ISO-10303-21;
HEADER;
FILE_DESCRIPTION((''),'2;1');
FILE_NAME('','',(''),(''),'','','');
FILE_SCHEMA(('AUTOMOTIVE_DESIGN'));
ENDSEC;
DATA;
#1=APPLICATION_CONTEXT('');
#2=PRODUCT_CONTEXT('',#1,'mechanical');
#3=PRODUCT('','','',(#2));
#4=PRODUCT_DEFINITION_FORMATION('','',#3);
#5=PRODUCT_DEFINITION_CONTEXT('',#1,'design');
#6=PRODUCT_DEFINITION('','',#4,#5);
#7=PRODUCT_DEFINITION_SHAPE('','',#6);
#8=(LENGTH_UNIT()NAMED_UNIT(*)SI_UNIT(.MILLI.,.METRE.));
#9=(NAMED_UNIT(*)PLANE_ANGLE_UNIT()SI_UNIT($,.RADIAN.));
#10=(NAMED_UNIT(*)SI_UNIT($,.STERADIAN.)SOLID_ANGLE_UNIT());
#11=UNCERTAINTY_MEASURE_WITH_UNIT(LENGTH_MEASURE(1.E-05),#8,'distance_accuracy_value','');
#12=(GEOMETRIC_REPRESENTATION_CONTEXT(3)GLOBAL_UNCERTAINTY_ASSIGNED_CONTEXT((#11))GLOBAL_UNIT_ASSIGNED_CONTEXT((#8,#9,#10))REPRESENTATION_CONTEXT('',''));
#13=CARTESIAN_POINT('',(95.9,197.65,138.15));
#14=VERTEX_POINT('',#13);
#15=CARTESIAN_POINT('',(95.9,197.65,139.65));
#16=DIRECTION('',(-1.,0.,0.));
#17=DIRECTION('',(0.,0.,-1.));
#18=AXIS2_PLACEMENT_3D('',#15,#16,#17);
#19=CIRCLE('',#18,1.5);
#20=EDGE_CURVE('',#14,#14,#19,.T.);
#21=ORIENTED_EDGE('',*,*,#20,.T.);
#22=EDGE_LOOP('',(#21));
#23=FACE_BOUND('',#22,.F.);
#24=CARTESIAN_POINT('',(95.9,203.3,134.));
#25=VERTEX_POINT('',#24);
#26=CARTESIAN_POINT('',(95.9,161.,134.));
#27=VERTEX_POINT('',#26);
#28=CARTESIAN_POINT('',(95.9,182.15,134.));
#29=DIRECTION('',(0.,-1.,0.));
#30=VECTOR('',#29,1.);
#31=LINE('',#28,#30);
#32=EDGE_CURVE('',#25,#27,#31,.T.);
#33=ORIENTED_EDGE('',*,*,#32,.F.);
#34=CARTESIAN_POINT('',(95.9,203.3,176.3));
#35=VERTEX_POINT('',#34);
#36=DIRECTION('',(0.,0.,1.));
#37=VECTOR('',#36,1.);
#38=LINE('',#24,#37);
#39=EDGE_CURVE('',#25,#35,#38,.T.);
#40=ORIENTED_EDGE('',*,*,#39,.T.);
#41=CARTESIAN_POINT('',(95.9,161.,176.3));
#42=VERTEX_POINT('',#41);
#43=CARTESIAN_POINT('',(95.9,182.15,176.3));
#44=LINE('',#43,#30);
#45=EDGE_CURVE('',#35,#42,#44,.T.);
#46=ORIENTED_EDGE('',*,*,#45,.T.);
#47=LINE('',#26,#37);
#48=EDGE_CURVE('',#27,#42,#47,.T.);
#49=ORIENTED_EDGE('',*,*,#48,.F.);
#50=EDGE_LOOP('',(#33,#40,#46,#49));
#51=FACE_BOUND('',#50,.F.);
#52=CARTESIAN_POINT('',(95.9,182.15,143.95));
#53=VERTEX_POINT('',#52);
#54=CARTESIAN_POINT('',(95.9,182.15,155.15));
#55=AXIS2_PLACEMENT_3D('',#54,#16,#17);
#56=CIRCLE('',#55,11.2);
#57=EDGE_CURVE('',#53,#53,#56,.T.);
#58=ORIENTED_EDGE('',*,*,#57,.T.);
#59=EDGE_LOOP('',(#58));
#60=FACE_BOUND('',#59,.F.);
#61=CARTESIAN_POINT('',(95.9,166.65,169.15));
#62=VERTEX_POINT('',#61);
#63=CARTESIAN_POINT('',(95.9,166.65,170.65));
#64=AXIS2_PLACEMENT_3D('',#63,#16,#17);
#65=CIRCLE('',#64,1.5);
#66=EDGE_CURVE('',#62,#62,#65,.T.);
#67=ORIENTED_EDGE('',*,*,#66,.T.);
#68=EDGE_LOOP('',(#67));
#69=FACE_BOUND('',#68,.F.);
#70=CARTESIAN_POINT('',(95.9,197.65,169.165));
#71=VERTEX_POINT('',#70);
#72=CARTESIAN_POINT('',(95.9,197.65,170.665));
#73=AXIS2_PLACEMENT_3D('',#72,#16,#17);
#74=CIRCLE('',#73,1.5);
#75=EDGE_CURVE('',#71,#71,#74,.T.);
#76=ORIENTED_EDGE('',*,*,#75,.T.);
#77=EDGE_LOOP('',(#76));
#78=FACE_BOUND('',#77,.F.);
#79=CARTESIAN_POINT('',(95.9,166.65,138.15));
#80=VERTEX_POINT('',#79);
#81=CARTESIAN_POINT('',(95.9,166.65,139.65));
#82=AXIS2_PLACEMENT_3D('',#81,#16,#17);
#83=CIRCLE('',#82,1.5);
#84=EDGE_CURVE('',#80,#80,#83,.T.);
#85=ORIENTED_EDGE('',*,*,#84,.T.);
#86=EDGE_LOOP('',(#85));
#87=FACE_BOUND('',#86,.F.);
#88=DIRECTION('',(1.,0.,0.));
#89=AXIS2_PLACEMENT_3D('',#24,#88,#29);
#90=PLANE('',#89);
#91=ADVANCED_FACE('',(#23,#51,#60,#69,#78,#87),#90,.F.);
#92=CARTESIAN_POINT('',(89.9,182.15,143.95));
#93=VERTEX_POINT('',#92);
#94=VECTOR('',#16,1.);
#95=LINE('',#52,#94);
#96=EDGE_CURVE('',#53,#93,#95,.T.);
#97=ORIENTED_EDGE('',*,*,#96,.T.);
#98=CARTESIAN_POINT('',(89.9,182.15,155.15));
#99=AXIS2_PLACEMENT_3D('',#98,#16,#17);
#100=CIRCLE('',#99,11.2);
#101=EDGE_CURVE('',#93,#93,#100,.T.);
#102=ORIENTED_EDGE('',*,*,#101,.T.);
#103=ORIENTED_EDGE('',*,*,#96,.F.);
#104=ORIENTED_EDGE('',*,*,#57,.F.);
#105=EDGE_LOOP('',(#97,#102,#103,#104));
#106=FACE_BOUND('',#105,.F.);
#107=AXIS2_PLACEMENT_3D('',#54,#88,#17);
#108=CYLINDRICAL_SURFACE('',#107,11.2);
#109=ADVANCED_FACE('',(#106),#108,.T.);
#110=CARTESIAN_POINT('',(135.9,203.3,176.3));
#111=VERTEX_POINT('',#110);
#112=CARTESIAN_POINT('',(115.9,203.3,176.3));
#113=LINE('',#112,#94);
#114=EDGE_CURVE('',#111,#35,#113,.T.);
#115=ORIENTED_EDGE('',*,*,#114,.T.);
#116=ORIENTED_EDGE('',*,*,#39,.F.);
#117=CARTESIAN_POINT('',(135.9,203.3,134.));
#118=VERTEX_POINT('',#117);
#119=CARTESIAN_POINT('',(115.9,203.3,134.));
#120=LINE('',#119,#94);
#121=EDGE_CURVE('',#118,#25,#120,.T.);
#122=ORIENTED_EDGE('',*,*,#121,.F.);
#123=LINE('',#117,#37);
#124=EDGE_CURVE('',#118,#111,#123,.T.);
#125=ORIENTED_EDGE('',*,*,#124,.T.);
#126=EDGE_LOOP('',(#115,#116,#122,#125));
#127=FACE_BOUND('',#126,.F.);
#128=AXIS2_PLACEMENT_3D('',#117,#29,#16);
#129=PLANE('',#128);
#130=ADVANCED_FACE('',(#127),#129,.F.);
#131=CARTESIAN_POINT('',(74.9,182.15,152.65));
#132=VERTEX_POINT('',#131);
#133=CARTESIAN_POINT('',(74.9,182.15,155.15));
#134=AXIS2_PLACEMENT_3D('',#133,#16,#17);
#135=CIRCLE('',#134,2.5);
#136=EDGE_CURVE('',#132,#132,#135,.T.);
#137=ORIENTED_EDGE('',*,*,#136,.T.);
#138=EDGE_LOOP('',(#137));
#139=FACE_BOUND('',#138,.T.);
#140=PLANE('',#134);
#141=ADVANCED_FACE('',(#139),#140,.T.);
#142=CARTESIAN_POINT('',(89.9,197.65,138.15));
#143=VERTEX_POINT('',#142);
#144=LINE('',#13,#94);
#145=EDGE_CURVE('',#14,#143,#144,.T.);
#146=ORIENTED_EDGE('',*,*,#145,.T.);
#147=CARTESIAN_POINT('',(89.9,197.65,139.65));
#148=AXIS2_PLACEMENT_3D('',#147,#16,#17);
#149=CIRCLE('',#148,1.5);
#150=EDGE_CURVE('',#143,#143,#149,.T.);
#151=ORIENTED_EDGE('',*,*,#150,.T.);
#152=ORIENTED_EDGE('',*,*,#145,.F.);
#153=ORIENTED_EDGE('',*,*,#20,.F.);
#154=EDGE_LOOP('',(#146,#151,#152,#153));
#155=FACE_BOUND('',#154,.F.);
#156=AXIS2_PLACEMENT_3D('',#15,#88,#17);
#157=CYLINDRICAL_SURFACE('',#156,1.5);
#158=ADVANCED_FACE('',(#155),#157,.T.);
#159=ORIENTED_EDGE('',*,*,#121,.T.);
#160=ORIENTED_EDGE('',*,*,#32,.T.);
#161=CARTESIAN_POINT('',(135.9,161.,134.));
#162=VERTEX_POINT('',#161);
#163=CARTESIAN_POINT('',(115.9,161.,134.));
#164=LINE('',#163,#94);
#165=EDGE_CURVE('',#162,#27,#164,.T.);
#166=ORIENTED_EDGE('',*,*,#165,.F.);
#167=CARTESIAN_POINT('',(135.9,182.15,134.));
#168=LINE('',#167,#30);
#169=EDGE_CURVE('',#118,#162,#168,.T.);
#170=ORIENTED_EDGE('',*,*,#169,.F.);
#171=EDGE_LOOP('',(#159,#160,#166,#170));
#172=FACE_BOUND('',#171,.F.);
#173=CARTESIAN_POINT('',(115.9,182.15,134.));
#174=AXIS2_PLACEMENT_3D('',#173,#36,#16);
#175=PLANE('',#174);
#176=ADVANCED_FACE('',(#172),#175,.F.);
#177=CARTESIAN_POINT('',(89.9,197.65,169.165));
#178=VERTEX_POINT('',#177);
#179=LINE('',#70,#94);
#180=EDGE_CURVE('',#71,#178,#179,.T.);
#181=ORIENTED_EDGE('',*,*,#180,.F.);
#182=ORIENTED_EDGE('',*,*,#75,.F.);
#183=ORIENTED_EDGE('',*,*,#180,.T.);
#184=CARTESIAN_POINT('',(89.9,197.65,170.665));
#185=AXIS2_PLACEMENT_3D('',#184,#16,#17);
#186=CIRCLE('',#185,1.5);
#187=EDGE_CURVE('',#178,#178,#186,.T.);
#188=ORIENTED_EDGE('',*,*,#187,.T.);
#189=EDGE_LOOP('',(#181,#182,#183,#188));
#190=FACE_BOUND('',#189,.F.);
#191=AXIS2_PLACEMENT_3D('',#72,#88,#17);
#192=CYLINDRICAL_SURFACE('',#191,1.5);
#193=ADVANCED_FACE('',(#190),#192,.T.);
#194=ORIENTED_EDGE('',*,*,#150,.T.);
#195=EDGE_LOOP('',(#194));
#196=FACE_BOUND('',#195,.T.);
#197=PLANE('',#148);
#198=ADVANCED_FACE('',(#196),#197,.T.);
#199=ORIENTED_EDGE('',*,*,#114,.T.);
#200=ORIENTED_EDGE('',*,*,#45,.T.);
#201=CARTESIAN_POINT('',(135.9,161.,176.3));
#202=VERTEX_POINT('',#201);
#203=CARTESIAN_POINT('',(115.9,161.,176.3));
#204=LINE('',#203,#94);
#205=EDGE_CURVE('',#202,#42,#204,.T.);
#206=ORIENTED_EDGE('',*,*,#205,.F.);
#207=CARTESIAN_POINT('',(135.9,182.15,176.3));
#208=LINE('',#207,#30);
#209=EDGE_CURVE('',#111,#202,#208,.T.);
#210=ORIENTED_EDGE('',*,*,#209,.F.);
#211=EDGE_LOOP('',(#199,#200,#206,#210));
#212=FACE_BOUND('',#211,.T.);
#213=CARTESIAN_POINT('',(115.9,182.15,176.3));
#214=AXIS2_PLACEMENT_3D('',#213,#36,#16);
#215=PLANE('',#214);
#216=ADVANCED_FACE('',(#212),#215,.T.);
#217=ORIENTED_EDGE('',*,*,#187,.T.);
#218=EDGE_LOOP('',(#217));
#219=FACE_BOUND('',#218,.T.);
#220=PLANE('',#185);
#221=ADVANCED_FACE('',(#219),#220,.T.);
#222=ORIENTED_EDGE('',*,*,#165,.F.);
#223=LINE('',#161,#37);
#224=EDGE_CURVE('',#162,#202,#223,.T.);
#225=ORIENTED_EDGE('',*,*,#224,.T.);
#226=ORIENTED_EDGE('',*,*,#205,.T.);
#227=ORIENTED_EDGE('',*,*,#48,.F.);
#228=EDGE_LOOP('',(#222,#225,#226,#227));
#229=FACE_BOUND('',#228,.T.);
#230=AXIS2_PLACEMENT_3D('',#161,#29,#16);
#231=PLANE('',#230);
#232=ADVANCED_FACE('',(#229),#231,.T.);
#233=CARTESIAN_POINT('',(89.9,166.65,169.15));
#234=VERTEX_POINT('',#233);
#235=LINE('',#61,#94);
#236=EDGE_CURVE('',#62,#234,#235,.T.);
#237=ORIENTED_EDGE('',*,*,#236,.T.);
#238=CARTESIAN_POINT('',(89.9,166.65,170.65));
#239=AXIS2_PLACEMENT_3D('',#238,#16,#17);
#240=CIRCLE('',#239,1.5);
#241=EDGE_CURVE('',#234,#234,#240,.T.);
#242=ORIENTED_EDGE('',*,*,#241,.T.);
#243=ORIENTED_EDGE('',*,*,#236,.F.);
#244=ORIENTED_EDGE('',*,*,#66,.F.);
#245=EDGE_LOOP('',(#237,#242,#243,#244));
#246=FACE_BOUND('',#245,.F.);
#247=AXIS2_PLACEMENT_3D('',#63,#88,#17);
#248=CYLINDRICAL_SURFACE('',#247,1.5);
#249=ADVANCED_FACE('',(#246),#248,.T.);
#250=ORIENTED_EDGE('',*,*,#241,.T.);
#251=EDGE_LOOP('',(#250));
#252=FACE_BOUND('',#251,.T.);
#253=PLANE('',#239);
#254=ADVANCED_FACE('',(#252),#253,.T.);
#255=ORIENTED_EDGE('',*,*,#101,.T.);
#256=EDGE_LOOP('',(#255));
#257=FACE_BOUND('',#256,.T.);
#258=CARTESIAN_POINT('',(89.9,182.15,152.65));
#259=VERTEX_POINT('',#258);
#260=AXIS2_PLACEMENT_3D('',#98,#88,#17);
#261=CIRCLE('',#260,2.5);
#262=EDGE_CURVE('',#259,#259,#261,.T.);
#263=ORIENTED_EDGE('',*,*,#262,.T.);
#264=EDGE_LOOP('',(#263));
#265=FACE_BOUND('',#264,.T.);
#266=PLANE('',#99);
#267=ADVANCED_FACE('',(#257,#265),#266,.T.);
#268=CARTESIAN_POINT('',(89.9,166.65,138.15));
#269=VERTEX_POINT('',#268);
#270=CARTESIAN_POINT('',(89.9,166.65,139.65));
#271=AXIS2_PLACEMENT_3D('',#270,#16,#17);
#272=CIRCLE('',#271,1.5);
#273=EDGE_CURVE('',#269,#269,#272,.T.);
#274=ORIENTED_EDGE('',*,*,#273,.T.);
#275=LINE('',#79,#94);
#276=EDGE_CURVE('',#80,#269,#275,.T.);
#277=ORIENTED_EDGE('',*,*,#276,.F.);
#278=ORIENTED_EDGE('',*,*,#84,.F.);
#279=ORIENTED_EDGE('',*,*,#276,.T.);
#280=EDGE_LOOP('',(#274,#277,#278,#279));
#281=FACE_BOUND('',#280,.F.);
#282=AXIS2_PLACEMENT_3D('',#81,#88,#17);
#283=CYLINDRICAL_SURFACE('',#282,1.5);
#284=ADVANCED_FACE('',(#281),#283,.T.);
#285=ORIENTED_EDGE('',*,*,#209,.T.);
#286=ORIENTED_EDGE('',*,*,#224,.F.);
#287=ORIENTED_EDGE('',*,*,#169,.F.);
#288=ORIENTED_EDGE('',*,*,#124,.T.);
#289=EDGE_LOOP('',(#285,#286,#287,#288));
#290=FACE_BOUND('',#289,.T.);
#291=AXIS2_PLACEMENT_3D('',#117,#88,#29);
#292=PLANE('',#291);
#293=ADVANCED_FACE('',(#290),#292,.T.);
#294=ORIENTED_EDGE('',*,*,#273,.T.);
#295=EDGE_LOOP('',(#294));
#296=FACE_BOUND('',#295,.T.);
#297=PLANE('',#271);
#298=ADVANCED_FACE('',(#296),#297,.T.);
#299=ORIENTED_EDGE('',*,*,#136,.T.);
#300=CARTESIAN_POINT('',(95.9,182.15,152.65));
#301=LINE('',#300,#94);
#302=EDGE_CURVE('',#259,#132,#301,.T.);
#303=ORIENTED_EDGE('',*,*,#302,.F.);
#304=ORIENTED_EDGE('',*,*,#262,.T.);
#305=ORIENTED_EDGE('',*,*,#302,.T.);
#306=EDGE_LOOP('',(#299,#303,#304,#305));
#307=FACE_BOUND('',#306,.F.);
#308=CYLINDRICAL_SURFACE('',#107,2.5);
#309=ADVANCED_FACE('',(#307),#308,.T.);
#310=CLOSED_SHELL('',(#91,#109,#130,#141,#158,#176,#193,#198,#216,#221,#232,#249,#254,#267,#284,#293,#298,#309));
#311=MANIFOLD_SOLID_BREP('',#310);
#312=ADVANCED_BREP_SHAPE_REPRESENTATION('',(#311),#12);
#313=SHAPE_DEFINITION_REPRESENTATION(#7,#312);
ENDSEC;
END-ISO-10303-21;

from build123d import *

# Parameters (mm, degrees)
CYLINDER261_R             = 1.5
CYLINDER261_DEPTH         = 6
CYLINDER260_R             = 1.5
CYLINDER260_DEPTH         = 6
CYLINDER257_R             = 11.2
CYLINDER257_DEPTH         = 6
CYLINDER258_R             = 2.5
CYLINDER258_DEPTH         = 21
CYLINDER259_R             = 1.5
CYLINDER259_DEPTH         = 6
CYLINDER256_R             = 1.5
CYLINDER256_DEPTH         = 6
BOX101_W                  = 40
BOX101_H                  = 42.3
BOX101_DEPTH              = 42.3
FUSION103_PLACEMENT_ANGLE = 180


with BuildPart() as cylinder261:
    # Cylinder261 → Cylinder261 (new body)
    with BuildSketch(Plane(origin=(40, 5.65, 36.665), x_dir=(0, 0, -1), z_dir=(1, 0, 0))):
        Circle(CYLINDER261_R)
    extrude(amount=CYLINDER261_DEPTH)


with BuildPart() as cylinder260:
    # Cylinder260 → Cylinder260 (new body)
    with BuildSketch(Plane(origin=(40, 36.65, 36.65), x_dir=(0, 0, -1), z_dir=(1, 0, 0))):
        Circle(CYLINDER260_R)
    extrude(amount=CYLINDER260_DEPTH)


with BuildPart() as cylinder257:
    # Cylinder257 → Cylinder257 (new body)
    with BuildSketch(Plane(origin=(40, 21.15, 21.15), x_dir=(0, 0, -1), z_dir=(1, 0, 0))):
        Circle(CYLINDER257_R)
    extrude(amount=CYLINDER257_DEPTH)


with BuildPart() as cylinder258:
    # Cylinder258 → Cylinder258 (new body)
    with BuildSketch(Plane(origin=(40, 21.15, 21.15), x_dir=(0, 0, -1), z_dir=(1, 0, 0))):
        Circle(CYLINDER258_R)
    extrude(amount=CYLINDER258_DEPTH)


with BuildPart() as cylinder259:
    # Cylinder259 → Cylinder259 (new body)
    with BuildSketch(Plane(origin=(40, 5.65, 5.65), x_dir=(0, 0, -1), z_dir=(1, 0, 0))):
        Circle(CYLINDER259_R)
    extrude(amount=CYLINDER259_DEPTH)


with BuildPart() as cylinder256:
    # Cylinder256 → Cylinder256 (new body)
    with BuildSketch(Plane(origin=(40, 36.65, 5.65), x_dir=(0, 0, -1), z_dir=(1, 0, 0))):
        Circle(CYLINDER256_R)
    extrude(amount=CYLINDER256_DEPTH)


with BuildPart() as fusion103:
    # Box101 → Box101 (new body)
    with BuildSketch(Plane.XY):
        with Locations((20, 21.15)):
            Rectangle(BOX101_W, BOX101_H)
    extrude(amount=BOX101_DEPTH)

    # Fusion103: union Cylinder261, Cylinder260, Cylinder257, Cylinder258, Cylinder259, Cylinder256
    add(cylinder261.part)
    add(cylinder260.part)
    add(cylinder257.part)
    add(cylinder258.part)
    add(cylinder259.part)
    add(cylinder256.part)


with BuildPart() as fusion103_1:
    # Fusion103 placement: moved
    add(fusion103.part.moved(Location((135.9, 203.3, 134))).rotate(Axis((135.9, 203.3, 134), (0, 0, 1)), FUSION103_PLACEMENT_ANGLE))


solid = fusion103_1.part
